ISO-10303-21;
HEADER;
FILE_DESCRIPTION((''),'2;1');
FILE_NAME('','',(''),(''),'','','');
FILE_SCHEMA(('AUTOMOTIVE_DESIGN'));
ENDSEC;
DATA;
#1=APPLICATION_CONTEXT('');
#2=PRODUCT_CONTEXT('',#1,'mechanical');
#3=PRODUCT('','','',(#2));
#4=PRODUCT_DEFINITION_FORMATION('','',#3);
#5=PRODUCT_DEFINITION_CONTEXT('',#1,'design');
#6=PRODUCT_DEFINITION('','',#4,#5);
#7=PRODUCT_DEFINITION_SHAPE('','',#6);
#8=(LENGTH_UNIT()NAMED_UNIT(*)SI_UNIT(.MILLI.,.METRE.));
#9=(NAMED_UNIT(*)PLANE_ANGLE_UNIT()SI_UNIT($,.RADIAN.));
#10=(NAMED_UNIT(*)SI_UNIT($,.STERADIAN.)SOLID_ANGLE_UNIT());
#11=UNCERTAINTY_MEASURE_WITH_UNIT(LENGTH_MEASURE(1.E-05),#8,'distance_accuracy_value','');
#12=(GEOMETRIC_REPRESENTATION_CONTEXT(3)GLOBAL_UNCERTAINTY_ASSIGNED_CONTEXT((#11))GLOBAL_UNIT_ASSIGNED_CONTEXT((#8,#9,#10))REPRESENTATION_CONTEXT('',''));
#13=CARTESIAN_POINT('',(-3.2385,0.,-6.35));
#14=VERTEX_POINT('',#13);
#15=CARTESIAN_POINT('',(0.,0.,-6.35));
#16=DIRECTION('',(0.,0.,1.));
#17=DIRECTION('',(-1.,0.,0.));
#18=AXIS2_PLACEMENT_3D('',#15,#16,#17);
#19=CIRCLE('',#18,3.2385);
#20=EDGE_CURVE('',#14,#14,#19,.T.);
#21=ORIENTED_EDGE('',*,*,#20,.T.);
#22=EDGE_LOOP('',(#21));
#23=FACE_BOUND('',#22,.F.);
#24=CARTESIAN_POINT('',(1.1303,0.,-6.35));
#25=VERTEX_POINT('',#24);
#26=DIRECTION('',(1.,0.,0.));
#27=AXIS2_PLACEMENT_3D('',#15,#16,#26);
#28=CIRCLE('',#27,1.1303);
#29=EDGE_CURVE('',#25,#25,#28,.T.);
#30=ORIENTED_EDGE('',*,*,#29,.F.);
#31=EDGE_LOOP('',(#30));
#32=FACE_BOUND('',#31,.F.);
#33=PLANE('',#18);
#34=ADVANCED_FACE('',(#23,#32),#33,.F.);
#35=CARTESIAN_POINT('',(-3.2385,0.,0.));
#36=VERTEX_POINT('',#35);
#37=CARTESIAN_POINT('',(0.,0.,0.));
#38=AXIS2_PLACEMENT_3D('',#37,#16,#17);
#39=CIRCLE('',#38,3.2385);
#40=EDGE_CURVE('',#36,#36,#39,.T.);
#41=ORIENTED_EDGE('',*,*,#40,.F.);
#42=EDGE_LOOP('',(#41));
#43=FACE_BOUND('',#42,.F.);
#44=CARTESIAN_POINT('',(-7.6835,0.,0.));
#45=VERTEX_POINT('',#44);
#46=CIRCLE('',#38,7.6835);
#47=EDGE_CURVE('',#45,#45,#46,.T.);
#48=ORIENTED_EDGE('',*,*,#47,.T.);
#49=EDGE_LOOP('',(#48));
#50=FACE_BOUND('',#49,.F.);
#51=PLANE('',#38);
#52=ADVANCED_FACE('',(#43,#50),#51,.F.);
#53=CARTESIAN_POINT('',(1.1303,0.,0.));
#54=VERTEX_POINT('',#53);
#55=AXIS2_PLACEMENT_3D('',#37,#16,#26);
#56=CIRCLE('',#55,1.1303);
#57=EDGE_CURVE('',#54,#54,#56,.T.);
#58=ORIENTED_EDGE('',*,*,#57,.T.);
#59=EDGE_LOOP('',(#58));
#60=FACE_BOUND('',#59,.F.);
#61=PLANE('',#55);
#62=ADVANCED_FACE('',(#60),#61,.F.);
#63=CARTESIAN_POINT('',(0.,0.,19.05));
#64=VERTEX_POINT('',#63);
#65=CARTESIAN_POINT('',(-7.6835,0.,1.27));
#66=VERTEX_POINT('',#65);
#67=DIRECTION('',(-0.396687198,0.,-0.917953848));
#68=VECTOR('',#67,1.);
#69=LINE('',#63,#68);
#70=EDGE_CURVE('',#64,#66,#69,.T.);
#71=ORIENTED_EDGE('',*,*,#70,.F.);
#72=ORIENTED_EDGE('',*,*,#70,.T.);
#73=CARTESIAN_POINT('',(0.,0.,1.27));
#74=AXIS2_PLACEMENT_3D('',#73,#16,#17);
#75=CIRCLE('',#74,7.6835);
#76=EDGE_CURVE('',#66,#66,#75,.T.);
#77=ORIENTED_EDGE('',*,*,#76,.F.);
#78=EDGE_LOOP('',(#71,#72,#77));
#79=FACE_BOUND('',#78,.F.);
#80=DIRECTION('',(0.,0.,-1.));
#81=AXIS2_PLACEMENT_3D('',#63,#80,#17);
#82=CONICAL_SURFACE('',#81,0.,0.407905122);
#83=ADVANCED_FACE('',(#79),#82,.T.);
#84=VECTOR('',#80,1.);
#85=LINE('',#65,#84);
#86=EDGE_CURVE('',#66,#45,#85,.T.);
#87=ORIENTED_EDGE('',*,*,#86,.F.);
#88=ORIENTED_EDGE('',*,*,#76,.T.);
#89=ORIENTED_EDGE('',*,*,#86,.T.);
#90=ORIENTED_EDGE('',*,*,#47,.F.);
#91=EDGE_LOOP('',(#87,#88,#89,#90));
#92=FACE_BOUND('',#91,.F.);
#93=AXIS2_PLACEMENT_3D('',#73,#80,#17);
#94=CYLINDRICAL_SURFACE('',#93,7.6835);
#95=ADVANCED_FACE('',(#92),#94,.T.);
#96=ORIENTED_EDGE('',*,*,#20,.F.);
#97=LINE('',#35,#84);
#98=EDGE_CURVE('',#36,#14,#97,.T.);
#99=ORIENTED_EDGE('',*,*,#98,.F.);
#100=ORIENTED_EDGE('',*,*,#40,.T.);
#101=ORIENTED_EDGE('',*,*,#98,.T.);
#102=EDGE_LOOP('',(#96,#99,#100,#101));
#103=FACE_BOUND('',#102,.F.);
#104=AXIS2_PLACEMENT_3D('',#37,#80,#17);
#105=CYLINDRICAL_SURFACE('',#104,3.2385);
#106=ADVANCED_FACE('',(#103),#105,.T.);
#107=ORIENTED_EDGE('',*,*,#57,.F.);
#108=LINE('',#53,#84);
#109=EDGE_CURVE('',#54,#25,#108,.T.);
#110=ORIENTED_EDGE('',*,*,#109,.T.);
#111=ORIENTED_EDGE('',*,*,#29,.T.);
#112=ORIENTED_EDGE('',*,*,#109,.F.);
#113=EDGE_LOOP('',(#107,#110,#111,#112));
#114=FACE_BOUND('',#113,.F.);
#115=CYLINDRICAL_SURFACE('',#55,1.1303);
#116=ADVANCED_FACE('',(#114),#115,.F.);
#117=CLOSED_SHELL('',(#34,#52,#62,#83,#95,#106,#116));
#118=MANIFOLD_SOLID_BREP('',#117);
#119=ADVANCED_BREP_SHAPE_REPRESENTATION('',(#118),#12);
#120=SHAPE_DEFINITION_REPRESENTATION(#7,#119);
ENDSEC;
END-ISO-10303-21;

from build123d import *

# Parameters (mm, degrees)
F3_D     = 2.2606
F3_DEPTH = 6.351


with BuildPart() as f1:
    # F0 (on Front) → F1 (revolve)
    with BuildSketch(Plane.XZ):
        Polygon((-7.6835, 1.27), (-7.6835, 0), (-3.2385, 0), (-3.2385, -6.35), (0, -6.35), (0, 19.05), align=None)
    revolve(axis=Axis((0, 0, 6.35), (0, 0, 1)))

    # F3 (through all, one way)
    with BuildSketch(Plane.XY):
        with Locations((0, 0)):
            Circle(F3_D / 2)
    extrude(amount=-F3_DEPTH, mode=Mode.SUBTRACT)


solid = f1.part
